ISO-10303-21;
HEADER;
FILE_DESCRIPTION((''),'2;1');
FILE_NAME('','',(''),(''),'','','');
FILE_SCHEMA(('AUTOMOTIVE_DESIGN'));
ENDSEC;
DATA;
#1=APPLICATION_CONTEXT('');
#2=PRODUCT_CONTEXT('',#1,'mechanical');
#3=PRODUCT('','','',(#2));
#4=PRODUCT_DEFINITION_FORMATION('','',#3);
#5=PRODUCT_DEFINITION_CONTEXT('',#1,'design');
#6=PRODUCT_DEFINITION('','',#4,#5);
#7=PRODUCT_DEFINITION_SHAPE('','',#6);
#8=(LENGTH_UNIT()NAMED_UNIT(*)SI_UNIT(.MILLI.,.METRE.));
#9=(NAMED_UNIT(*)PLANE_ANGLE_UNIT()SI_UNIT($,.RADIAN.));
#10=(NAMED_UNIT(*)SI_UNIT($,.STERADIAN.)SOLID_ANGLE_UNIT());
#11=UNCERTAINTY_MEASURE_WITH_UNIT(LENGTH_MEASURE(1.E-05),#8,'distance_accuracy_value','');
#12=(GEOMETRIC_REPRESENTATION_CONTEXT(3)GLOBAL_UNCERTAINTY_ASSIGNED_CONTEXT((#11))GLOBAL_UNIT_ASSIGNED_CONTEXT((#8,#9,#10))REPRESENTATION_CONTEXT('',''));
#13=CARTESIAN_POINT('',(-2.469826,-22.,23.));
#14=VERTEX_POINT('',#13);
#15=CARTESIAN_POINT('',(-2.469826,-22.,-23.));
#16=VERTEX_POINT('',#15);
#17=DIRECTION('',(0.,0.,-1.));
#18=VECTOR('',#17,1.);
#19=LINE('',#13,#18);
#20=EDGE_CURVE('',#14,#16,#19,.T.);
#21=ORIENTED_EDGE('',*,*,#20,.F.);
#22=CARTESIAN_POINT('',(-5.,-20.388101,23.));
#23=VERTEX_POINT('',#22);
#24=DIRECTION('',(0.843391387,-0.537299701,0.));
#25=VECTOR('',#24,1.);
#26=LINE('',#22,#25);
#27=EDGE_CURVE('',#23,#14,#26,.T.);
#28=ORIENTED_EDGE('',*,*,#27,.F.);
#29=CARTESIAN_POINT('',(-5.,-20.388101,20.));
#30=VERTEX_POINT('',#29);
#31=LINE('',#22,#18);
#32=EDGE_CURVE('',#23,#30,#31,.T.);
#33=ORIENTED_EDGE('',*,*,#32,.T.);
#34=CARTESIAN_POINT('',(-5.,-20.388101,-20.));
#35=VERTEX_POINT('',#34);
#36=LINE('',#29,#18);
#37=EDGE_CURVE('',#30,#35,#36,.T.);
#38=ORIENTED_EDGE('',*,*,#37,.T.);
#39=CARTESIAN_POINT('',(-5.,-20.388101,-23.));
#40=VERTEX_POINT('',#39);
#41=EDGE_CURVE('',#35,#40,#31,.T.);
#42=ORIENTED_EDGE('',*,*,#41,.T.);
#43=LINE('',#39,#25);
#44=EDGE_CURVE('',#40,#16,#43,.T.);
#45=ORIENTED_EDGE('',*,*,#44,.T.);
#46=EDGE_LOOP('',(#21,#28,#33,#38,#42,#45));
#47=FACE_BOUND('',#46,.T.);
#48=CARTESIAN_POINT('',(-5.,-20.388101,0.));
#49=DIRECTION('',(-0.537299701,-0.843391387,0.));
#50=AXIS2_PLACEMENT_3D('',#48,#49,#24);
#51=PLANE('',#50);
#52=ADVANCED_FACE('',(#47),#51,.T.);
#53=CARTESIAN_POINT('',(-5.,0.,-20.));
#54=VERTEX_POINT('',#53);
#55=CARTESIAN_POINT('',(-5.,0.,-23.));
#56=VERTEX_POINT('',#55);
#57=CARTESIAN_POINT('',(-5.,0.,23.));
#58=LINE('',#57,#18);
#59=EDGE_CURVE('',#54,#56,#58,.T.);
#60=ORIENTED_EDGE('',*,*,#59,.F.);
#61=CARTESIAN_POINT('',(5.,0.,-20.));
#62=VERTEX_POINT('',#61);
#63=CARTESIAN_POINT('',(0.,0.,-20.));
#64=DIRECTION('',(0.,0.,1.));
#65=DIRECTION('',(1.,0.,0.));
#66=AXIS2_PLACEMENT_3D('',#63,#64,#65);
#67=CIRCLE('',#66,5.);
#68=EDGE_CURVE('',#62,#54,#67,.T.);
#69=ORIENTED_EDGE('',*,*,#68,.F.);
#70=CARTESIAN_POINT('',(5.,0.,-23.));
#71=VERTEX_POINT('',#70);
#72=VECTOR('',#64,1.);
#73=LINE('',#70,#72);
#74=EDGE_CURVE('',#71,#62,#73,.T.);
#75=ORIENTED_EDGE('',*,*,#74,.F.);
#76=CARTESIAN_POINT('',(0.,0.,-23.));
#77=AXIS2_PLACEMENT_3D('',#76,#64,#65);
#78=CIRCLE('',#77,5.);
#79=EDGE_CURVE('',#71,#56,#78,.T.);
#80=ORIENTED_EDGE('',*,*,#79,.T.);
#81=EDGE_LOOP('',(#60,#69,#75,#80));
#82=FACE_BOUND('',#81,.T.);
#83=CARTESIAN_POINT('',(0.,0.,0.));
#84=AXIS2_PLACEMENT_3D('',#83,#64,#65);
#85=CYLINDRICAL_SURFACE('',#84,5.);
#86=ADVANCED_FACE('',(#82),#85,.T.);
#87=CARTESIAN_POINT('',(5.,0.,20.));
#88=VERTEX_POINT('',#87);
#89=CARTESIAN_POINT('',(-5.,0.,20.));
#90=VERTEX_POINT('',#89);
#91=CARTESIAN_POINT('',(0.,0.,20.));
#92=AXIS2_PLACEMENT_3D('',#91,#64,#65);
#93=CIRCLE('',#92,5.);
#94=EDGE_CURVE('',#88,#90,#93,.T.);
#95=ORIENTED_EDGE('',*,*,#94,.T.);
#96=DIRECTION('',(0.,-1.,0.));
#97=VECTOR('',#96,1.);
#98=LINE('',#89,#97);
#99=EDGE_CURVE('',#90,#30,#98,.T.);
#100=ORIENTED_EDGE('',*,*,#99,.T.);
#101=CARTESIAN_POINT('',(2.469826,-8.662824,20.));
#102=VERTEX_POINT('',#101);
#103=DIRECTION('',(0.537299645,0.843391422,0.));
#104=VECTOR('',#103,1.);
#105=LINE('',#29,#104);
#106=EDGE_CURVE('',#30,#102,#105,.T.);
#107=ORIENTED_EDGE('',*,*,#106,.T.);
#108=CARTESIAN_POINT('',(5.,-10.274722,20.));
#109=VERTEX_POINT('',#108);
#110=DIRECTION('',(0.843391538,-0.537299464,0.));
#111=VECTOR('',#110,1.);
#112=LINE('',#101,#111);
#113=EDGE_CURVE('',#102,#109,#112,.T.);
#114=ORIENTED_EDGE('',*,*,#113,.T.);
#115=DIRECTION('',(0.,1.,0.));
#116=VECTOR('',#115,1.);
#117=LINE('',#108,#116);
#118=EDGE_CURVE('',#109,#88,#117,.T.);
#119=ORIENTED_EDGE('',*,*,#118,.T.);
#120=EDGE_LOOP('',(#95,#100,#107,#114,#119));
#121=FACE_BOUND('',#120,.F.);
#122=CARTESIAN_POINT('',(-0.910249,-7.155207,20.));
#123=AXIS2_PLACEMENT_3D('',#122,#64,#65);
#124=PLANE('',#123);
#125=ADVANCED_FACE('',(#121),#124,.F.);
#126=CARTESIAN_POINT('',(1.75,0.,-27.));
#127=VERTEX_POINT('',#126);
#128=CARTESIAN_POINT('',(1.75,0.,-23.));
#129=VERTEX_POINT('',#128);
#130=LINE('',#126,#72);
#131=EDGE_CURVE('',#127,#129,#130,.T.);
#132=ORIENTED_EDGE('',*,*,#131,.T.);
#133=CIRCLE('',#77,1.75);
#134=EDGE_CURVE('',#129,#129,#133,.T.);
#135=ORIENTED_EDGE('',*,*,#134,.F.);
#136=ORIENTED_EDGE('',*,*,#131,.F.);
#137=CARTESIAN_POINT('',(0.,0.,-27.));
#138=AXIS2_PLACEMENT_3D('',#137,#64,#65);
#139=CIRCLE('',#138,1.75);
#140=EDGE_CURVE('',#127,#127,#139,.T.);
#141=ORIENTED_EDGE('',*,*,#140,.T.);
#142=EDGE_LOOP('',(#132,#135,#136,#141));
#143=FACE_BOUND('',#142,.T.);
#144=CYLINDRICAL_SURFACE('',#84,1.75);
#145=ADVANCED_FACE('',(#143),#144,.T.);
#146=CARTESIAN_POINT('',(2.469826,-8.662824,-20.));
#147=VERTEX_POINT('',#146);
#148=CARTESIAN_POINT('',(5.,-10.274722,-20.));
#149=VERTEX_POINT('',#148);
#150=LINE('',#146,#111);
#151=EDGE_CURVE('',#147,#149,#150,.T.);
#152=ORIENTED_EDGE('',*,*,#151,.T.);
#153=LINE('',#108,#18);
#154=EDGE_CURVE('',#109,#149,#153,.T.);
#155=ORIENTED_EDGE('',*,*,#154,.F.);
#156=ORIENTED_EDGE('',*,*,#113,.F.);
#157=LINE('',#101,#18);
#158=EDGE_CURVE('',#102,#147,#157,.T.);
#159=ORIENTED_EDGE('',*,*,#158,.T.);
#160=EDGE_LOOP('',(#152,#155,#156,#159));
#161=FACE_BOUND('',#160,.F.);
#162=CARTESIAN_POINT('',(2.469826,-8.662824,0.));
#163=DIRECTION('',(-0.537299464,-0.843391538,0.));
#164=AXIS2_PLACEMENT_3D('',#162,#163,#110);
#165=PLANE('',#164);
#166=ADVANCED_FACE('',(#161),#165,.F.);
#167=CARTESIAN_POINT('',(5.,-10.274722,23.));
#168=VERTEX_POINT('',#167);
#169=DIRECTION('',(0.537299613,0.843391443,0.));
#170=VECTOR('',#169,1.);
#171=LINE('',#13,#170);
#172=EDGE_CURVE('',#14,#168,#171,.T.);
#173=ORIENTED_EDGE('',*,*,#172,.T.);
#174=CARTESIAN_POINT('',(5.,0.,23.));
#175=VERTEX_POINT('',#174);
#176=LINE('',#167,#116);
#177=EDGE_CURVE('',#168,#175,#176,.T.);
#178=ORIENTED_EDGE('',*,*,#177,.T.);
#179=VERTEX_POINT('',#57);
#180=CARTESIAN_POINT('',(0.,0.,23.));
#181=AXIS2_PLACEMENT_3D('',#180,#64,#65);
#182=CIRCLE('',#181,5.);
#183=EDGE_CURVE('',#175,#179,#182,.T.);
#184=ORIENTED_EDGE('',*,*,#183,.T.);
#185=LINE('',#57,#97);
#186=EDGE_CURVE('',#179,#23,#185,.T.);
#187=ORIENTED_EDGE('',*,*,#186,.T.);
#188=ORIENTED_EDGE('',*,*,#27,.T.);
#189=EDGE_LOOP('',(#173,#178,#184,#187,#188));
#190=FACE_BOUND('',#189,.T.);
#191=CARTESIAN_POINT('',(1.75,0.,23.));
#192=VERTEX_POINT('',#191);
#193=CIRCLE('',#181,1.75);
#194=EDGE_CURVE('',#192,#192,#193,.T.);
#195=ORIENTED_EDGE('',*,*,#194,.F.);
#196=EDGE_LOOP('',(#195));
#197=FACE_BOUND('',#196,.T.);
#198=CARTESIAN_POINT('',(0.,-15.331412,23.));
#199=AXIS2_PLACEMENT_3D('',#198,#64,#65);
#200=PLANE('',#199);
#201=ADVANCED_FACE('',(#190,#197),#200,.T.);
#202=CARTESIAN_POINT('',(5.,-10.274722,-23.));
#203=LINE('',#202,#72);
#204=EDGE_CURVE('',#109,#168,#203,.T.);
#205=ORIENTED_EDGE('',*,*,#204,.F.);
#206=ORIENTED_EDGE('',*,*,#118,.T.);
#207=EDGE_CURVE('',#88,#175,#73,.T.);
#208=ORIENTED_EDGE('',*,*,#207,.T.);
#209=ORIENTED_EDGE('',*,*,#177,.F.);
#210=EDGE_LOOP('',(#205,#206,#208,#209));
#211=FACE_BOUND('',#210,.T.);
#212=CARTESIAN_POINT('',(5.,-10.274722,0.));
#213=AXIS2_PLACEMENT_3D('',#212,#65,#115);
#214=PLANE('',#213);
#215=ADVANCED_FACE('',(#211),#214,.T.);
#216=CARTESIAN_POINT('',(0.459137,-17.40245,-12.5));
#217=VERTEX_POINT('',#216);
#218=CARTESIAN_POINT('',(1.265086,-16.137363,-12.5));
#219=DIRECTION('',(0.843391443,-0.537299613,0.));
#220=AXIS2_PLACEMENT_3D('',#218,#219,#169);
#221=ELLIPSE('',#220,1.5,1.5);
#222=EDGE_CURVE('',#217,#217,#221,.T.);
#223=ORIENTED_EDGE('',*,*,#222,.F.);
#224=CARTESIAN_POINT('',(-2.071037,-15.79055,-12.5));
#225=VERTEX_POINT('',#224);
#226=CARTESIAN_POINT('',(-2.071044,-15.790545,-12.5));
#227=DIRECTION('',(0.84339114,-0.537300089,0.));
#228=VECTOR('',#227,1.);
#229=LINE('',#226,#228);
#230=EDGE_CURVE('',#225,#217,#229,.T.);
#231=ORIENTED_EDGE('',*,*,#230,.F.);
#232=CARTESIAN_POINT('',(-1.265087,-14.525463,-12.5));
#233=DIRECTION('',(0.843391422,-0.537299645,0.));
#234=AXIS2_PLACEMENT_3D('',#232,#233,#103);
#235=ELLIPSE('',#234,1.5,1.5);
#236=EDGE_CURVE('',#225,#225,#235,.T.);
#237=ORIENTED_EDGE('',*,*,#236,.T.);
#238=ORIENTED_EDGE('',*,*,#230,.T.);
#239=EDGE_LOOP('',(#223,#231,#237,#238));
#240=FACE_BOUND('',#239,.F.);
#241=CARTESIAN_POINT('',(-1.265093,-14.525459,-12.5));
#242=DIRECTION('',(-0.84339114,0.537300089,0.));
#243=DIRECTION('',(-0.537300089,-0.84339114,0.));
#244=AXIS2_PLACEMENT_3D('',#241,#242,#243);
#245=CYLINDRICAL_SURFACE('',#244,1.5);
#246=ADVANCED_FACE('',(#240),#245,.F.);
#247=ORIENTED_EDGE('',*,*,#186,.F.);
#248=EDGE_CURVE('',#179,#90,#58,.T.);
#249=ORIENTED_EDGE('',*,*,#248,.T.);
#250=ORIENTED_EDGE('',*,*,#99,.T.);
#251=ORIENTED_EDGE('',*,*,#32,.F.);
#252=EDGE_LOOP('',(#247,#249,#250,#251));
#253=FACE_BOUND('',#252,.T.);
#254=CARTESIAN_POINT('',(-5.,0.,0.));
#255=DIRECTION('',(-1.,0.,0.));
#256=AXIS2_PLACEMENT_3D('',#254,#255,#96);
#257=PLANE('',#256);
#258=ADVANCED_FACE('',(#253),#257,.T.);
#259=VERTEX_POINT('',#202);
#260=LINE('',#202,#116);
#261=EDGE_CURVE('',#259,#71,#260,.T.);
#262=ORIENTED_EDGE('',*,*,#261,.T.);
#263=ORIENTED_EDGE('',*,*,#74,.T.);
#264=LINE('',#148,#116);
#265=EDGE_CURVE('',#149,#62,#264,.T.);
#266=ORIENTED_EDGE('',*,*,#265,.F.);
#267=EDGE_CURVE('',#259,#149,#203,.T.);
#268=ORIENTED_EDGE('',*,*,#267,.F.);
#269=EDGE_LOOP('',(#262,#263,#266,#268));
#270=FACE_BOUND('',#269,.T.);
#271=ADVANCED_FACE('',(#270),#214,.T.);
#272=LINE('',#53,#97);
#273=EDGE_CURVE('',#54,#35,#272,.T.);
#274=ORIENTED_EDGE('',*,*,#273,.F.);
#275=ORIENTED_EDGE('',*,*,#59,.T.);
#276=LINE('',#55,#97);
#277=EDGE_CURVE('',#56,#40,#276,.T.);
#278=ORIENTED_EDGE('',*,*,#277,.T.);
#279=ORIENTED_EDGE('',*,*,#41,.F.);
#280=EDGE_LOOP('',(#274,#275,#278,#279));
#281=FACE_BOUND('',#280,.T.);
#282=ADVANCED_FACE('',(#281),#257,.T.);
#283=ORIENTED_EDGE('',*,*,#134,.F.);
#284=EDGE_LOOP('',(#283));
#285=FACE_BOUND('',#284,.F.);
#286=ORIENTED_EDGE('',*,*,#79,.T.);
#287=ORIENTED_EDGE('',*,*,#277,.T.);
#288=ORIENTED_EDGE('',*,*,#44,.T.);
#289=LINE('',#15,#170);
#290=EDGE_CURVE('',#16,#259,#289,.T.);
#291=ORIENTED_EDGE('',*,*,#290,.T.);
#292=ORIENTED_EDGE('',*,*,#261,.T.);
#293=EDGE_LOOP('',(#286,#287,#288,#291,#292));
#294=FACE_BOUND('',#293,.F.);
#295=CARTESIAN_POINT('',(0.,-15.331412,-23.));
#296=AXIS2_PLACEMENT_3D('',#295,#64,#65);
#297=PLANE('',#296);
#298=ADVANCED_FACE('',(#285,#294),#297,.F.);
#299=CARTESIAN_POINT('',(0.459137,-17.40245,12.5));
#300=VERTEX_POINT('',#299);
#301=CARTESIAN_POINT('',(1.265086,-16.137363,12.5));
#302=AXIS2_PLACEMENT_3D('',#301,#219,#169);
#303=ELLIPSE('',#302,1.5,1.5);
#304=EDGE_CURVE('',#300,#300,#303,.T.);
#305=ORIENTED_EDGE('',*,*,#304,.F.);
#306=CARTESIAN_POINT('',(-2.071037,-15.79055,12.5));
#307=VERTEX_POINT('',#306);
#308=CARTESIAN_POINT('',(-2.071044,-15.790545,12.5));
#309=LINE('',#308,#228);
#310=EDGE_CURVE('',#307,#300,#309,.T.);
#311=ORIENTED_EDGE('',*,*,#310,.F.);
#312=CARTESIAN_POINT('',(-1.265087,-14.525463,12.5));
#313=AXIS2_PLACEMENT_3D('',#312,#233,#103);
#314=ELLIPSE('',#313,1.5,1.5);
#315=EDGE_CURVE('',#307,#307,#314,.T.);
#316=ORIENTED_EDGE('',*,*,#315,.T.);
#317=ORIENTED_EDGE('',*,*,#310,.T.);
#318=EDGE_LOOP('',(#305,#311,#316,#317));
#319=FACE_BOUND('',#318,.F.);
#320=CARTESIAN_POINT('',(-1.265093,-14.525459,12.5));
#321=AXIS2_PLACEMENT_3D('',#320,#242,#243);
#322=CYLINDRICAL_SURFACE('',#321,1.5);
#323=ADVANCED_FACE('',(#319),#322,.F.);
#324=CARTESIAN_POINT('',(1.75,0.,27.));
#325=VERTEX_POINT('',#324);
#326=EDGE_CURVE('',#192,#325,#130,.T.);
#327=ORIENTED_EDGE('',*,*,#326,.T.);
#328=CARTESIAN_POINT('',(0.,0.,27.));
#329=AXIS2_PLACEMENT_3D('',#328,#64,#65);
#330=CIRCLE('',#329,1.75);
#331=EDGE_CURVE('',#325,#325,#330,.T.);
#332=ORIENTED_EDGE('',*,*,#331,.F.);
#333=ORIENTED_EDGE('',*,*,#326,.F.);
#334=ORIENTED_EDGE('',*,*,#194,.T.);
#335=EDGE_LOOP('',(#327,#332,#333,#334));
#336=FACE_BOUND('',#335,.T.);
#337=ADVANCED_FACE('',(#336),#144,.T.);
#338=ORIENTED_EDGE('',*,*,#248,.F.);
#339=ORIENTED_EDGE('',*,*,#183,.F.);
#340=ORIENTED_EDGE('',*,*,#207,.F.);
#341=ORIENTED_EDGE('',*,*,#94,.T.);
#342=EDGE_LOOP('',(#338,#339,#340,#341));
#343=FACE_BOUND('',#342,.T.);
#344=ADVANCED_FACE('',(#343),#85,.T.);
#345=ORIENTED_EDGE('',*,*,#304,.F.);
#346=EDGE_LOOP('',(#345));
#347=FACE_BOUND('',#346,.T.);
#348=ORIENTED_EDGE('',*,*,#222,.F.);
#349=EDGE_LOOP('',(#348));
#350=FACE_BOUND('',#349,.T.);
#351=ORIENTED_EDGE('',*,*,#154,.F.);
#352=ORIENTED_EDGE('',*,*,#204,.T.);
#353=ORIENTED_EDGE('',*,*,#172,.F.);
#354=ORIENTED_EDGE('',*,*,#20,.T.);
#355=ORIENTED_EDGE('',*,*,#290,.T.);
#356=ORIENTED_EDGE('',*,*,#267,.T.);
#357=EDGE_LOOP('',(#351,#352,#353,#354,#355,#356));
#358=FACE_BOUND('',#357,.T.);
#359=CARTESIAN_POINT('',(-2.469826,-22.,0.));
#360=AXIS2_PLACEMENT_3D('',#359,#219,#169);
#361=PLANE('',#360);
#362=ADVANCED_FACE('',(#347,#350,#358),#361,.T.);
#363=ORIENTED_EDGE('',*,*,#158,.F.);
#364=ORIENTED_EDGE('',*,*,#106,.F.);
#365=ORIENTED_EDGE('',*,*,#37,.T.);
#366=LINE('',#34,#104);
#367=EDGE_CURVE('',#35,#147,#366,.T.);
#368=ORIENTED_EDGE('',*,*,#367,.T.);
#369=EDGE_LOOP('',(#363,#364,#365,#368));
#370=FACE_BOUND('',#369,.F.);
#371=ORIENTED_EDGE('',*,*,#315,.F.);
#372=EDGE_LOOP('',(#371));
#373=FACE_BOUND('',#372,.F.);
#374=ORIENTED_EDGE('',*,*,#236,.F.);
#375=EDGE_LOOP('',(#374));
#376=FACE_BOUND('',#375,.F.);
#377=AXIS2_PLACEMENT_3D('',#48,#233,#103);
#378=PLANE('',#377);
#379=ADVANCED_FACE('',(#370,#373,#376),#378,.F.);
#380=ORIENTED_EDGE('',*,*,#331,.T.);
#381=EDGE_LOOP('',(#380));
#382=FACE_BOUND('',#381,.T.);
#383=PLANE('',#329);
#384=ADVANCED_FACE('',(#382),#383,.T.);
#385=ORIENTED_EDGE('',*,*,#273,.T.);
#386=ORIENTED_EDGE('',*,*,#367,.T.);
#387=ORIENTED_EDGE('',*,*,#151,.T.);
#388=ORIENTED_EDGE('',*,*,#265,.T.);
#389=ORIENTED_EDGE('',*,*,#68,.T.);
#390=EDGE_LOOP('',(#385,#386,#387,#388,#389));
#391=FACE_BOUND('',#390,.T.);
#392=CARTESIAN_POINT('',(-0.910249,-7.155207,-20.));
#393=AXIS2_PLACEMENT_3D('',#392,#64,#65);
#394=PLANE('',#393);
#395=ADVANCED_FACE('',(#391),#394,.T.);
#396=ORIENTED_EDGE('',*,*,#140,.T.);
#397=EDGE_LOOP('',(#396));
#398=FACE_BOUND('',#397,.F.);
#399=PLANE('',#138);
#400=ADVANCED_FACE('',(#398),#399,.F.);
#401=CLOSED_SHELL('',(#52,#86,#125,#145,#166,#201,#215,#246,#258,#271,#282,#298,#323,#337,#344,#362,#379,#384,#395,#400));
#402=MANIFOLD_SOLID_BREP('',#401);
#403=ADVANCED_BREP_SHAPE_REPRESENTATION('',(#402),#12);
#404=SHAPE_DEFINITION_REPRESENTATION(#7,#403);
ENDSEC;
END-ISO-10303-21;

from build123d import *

# Parameters (mm, degrees)
F0_R     = 1.75
F1_DEPTH = 23
F2_DEPTH = 27
F3_DEPTH = 20
F4_R     = 1.5
F5_DEPTH = 9.300987


with BuildPart() as f1:
    # F0 (on Top) → F1 (new body, symmetric)
    with BuildSketch(Plane.XY):
        Polygon((-2.469826, -22), (5, -10.274722), (2.469826, -8.662824), (-5, -20.388101), align=None)
        with BuildLine():
            Line((5, -10.274722), (5, 0))
            ThreePointArc((5, 0), (0, 5), (-5, 0))
            Line((-5, 0), (-5, -20.388101))
            Line((-5, -20.388101), (2.469826, -8.662824))
            Line((2.469826, -8.662824), (5, -10.274722))
        make_face()
        Circle(F0_R, mode=Mode.SUBTRACT)
    extrude(amount=F1_DEPTH, both=True)

    # F0 (on Top) → F2 (join, symmetric)
    with BuildSketch(Plane.XY):
        Circle(F0_R)
    extrude(amount=F2_DEPTH, both=True)

    # F0 (on Top) → F3 (cut, symmetric)
    with BuildSketch(Plane.XY):
        with BuildLine():
            Line((5, -10.274722), (5, 0))
            ThreePointArc((5, 0), (0, 5), (-5, 0))
            Line((-5, 0), (-5, -20.388101))
            Line((-5, -20.388101), (2.469826, -8.662824))
            Line((2.469826, -8.662824), (5, -10.274722))
        make_face()
        Circle(F0_R, mode=Mode.SUBTRACT)
        Circle(F0_R)
    extrude(amount=F3_DEPTH, both=True, mode=Mode.SUBTRACT)

    # F4 (on face) → F5 (cut, through all)
    with BuildSketch(Plane(origin=(5.682402, -3.620089, 0), x_dir=(-0.5373, -0.843391, 0), z_dir=(-0.843391, 0.5373, 0))):
        with Locations((12.930382, -12.5)):
            Circle(F4_R)
        with Locations((12.930382, 12.5)):
            Circle(F4_R)
    extrude(amount=-F5_DEPTH, mode=Mode.SUBTRACT)


solid = f1.part
